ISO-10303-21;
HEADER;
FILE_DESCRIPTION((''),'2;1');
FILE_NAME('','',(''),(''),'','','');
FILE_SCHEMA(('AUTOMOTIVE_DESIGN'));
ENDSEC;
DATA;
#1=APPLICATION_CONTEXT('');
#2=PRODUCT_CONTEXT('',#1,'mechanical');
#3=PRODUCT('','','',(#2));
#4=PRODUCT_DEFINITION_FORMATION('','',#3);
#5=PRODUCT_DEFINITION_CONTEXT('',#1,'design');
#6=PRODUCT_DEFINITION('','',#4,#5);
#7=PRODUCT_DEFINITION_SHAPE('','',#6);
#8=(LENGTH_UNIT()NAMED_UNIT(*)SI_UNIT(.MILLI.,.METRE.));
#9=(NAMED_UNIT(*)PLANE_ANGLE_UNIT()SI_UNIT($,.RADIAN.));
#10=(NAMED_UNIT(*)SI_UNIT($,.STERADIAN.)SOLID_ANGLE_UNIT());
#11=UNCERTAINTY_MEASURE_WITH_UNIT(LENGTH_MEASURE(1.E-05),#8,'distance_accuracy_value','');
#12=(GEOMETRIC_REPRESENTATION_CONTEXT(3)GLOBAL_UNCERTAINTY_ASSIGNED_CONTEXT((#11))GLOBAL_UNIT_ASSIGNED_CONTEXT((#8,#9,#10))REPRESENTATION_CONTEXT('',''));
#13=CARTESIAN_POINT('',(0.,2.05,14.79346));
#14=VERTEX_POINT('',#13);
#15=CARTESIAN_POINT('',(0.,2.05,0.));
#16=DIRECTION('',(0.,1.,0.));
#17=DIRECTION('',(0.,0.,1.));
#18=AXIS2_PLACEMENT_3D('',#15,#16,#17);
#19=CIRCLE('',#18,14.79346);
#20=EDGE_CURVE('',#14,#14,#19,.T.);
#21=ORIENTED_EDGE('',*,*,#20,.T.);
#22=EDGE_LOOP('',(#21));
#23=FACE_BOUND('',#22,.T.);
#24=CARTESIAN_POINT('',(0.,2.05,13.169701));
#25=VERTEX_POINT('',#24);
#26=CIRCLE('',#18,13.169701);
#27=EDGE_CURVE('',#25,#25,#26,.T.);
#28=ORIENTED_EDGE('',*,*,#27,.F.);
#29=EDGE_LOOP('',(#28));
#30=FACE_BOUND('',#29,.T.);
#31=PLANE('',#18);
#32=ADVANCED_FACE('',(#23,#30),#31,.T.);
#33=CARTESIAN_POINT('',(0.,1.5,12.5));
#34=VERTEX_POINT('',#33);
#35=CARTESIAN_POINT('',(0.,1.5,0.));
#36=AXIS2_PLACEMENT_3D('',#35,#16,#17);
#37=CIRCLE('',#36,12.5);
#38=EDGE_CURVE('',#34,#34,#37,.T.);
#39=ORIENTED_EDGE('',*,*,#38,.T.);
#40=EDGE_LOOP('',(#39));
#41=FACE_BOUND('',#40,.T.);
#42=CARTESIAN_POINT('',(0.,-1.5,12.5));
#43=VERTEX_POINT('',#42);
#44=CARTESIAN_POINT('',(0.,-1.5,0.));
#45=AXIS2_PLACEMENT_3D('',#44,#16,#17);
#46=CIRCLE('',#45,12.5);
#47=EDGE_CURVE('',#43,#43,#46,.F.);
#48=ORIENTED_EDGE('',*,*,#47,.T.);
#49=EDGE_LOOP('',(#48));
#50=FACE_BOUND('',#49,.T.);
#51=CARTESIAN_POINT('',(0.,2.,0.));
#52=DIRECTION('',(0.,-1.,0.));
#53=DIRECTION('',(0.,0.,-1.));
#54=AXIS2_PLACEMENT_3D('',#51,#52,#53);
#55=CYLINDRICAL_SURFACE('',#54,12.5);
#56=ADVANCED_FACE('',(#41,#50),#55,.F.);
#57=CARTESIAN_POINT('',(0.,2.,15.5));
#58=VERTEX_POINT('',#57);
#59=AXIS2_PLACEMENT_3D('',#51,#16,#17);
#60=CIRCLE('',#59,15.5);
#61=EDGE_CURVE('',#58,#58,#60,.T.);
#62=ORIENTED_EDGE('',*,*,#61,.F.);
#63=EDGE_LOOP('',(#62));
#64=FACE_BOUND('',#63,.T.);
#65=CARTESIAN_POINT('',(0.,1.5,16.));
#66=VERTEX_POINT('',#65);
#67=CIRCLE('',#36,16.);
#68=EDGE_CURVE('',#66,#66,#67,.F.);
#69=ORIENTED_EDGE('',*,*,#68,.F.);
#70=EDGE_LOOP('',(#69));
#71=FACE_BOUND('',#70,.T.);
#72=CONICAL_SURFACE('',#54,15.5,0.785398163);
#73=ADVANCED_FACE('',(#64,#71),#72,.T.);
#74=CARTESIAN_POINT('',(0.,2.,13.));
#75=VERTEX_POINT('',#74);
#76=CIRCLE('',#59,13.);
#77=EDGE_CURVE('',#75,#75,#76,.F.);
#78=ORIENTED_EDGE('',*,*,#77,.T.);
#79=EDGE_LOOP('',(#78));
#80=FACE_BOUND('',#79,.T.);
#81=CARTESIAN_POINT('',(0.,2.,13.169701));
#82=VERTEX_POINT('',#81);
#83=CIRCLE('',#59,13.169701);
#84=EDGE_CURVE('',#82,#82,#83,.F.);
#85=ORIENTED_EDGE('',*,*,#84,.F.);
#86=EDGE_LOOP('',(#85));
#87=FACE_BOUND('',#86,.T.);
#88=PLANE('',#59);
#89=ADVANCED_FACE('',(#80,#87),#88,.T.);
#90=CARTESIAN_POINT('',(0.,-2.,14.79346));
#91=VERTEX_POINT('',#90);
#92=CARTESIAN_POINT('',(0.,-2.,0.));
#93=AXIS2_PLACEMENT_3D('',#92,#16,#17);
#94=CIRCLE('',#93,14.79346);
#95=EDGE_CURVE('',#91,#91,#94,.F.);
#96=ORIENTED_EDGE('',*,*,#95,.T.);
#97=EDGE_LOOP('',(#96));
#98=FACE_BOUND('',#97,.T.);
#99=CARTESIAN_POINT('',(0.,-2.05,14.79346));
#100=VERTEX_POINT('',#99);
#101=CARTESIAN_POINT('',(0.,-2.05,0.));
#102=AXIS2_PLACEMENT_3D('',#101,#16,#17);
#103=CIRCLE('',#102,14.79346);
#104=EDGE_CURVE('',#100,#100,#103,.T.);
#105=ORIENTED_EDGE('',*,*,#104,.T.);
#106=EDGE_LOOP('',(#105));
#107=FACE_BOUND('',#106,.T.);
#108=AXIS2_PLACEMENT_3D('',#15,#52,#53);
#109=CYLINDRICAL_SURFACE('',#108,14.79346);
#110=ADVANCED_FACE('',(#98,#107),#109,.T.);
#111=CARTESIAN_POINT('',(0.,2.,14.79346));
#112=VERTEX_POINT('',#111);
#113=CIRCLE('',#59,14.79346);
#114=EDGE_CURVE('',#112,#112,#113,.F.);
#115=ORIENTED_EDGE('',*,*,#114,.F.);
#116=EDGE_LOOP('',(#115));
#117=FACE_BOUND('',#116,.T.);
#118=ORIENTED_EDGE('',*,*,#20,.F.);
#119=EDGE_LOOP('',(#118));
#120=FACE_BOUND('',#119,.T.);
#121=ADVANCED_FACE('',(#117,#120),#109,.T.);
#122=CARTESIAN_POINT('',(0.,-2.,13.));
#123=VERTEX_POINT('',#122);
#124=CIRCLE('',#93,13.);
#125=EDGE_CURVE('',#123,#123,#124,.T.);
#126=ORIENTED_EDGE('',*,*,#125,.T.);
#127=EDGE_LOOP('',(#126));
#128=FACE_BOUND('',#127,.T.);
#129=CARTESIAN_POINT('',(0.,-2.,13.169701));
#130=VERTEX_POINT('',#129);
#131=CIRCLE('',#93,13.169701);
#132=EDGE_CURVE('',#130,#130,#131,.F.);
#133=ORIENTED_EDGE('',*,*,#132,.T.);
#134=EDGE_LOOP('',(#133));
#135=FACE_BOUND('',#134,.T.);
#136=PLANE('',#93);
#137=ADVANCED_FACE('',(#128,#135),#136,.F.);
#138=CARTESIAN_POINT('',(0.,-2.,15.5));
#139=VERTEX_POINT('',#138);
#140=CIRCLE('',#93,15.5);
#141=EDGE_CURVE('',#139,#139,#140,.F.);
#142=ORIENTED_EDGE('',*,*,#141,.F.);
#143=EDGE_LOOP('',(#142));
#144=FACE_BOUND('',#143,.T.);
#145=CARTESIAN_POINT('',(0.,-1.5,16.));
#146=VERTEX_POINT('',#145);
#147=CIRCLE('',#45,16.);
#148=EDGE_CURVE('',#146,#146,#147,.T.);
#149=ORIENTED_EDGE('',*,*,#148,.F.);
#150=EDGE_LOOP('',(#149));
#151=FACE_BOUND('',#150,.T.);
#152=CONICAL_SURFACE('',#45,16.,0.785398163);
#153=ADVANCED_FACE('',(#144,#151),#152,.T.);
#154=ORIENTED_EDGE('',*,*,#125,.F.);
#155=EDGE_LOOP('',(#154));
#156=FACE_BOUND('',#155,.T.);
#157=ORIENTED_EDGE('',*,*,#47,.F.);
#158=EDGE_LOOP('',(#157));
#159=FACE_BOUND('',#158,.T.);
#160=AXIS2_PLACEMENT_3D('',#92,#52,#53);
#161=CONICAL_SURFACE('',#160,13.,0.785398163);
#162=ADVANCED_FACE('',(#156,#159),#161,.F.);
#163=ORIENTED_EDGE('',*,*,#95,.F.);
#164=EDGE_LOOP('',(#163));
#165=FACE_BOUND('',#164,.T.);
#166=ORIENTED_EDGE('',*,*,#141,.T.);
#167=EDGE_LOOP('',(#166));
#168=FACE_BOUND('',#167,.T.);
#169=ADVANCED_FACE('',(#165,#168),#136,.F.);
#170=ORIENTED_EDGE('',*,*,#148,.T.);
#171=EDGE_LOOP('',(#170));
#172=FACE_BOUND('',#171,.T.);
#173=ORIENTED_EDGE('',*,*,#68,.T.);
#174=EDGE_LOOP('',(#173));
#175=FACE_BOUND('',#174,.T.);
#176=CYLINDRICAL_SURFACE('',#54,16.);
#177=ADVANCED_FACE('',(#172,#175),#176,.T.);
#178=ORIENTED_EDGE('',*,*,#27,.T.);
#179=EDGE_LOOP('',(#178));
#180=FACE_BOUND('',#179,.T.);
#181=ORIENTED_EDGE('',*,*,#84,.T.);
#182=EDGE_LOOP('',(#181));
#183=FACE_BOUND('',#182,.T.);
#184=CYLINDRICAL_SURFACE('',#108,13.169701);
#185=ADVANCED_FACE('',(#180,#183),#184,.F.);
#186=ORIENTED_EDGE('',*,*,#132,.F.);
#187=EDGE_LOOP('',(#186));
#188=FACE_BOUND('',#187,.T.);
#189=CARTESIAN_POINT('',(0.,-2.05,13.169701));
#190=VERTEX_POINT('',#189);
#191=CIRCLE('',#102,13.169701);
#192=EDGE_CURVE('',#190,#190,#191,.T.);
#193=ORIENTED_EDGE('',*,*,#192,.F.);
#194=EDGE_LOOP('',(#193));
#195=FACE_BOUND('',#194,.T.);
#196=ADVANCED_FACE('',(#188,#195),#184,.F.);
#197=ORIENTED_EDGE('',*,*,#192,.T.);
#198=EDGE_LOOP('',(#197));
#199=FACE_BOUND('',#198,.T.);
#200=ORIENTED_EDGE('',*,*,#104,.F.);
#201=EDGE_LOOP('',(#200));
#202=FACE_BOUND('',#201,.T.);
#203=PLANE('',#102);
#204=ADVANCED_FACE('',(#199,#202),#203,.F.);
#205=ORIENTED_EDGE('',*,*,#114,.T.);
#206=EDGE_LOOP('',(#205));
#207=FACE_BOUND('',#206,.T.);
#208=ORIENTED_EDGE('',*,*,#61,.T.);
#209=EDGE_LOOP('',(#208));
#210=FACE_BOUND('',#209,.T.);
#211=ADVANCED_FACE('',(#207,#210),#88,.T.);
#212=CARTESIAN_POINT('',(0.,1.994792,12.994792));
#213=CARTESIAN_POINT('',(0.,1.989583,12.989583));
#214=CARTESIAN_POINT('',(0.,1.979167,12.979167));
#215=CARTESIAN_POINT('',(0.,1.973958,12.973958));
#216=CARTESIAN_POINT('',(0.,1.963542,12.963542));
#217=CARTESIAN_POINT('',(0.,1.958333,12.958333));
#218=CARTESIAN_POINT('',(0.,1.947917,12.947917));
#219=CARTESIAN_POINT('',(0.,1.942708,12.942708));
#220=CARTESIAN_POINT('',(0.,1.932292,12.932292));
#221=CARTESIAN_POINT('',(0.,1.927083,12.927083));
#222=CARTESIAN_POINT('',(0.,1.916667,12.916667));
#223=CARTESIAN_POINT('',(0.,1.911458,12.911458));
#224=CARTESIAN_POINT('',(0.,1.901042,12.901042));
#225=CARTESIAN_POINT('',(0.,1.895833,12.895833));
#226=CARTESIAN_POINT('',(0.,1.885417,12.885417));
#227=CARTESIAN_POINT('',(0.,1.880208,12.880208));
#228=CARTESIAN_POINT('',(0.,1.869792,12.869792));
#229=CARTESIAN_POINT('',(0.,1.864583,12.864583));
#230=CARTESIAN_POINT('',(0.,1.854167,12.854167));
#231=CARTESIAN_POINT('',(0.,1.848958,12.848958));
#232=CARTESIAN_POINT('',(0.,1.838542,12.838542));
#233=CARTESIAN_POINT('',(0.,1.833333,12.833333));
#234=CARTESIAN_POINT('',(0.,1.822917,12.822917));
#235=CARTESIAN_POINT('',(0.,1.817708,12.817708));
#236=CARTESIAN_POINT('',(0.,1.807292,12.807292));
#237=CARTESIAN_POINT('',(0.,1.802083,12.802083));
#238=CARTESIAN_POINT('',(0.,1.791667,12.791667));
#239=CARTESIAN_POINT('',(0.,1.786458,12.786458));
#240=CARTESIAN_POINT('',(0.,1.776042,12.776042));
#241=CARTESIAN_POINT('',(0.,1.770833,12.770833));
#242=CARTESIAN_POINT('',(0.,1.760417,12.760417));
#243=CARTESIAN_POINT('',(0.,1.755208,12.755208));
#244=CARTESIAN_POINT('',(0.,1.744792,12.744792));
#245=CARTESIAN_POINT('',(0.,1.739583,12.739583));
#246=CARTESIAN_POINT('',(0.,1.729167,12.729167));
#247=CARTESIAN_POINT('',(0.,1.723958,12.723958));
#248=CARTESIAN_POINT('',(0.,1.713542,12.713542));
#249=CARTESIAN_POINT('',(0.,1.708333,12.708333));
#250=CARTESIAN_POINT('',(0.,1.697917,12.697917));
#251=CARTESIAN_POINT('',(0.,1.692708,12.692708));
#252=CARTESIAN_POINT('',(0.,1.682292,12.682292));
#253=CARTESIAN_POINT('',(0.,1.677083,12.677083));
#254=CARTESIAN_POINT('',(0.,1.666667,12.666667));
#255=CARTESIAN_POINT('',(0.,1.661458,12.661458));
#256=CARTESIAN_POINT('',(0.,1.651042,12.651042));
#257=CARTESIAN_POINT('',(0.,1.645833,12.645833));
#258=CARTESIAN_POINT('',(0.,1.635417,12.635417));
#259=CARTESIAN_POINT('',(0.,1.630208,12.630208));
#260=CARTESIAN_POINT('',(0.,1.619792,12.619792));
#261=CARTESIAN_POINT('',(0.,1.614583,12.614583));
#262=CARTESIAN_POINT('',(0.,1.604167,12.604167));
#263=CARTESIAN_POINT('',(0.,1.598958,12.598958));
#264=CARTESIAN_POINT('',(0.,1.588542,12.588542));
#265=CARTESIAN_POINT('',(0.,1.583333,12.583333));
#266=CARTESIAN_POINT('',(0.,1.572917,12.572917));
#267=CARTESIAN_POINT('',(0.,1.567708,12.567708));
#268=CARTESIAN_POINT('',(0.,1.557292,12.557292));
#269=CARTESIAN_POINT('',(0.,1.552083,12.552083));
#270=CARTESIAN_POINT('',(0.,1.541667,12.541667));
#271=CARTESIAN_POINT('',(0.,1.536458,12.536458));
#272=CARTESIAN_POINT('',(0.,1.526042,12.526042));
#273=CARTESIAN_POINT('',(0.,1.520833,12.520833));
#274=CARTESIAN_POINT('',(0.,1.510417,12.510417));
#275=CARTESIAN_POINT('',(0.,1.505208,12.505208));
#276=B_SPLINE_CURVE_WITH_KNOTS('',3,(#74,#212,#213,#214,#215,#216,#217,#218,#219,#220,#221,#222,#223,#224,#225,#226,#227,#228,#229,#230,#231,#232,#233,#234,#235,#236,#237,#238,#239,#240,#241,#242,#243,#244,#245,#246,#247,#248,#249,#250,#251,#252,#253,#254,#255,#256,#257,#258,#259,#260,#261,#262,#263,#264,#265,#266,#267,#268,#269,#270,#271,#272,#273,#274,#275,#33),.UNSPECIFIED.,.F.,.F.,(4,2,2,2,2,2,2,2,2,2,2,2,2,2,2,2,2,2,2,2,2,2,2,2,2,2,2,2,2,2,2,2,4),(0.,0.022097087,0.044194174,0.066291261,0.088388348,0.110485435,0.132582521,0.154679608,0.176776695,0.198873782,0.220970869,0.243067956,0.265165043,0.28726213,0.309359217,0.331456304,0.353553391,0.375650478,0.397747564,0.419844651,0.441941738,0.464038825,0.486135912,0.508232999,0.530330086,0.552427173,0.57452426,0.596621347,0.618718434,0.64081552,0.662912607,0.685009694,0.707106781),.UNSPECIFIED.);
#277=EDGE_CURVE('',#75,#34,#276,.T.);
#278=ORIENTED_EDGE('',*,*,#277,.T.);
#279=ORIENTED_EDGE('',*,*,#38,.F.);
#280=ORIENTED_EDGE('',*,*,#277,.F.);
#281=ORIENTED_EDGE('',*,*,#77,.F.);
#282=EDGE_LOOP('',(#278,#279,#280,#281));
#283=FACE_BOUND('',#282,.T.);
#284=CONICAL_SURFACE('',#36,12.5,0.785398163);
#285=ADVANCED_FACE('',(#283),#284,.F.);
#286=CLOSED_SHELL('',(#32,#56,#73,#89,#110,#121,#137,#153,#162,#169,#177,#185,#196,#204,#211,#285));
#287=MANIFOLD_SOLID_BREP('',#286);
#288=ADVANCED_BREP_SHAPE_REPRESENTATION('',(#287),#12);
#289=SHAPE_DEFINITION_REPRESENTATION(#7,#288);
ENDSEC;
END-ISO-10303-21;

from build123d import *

# Parameters (mm, degrees)
CROQUIS1_R              = 16
CROQUIS1_R_2            = 12.5
SALIENTE_EXTRUIR1_DEPTH = 2
CHAFL_N1_SIZE           = 0.5
CROQUIS2_R              = 14.793460403
CROQUIS2_R_2            = 13.169701353
SALIENTE_EXTRUIR2_DEPTH = 2.05


with BuildPart() as part:
    # Croquis1 → Saliente-Extruir1 (new, symmetric)
    with BuildSketch(Plane(origin=(0, 0, 0), x_dir=(1, 0, 0), z_dir=(0, 1, 0))):
        with Locations(Location((0, 0, 0), (0, 0, 270))):
            Circle(CROQUIS1_R)
        with Locations(Location((0, 0, 0), (0, 0, 270))):
            Circle(CROQUIS1_R_2, mode=Mode.SUBTRACT)
    extrude(amount=SALIENTE_EXTRUIR1_DEPTH, both=True)

    # Chaflán1
    chafl_n1_edges = [part.edges().sort_by_distance(p)[0] for p in [
        (0, -2, -16),
        (0, 2, -16),
        (0, -2, -12.5),
        (0, 2, -12.5),
    ]]
    chamfer(chafl_n1_edges, length=CHAFL_N1_SIZE)

    # Croquis2 → Saliente-Extruir2 (add, symmetric)
    with BuildSketch(Plane(origin=(0, 0, 0), x_dir=(1, 0, 0), z_dir=(0, 1, 0))):
        with Locations(Location((0, 0, 0), (0, 0, 270))):
            Circle(CROQUIS2_R)
        with Locations(Location((0, 0, 0), (0, 0, 270))):
            Circle(CROQUIS2_R_2, mode=Mode.SUBTRACT)
    extrude(amount=SALIENTE_EXTRUIR2_DEPTH, both=True)


solid = part.part
